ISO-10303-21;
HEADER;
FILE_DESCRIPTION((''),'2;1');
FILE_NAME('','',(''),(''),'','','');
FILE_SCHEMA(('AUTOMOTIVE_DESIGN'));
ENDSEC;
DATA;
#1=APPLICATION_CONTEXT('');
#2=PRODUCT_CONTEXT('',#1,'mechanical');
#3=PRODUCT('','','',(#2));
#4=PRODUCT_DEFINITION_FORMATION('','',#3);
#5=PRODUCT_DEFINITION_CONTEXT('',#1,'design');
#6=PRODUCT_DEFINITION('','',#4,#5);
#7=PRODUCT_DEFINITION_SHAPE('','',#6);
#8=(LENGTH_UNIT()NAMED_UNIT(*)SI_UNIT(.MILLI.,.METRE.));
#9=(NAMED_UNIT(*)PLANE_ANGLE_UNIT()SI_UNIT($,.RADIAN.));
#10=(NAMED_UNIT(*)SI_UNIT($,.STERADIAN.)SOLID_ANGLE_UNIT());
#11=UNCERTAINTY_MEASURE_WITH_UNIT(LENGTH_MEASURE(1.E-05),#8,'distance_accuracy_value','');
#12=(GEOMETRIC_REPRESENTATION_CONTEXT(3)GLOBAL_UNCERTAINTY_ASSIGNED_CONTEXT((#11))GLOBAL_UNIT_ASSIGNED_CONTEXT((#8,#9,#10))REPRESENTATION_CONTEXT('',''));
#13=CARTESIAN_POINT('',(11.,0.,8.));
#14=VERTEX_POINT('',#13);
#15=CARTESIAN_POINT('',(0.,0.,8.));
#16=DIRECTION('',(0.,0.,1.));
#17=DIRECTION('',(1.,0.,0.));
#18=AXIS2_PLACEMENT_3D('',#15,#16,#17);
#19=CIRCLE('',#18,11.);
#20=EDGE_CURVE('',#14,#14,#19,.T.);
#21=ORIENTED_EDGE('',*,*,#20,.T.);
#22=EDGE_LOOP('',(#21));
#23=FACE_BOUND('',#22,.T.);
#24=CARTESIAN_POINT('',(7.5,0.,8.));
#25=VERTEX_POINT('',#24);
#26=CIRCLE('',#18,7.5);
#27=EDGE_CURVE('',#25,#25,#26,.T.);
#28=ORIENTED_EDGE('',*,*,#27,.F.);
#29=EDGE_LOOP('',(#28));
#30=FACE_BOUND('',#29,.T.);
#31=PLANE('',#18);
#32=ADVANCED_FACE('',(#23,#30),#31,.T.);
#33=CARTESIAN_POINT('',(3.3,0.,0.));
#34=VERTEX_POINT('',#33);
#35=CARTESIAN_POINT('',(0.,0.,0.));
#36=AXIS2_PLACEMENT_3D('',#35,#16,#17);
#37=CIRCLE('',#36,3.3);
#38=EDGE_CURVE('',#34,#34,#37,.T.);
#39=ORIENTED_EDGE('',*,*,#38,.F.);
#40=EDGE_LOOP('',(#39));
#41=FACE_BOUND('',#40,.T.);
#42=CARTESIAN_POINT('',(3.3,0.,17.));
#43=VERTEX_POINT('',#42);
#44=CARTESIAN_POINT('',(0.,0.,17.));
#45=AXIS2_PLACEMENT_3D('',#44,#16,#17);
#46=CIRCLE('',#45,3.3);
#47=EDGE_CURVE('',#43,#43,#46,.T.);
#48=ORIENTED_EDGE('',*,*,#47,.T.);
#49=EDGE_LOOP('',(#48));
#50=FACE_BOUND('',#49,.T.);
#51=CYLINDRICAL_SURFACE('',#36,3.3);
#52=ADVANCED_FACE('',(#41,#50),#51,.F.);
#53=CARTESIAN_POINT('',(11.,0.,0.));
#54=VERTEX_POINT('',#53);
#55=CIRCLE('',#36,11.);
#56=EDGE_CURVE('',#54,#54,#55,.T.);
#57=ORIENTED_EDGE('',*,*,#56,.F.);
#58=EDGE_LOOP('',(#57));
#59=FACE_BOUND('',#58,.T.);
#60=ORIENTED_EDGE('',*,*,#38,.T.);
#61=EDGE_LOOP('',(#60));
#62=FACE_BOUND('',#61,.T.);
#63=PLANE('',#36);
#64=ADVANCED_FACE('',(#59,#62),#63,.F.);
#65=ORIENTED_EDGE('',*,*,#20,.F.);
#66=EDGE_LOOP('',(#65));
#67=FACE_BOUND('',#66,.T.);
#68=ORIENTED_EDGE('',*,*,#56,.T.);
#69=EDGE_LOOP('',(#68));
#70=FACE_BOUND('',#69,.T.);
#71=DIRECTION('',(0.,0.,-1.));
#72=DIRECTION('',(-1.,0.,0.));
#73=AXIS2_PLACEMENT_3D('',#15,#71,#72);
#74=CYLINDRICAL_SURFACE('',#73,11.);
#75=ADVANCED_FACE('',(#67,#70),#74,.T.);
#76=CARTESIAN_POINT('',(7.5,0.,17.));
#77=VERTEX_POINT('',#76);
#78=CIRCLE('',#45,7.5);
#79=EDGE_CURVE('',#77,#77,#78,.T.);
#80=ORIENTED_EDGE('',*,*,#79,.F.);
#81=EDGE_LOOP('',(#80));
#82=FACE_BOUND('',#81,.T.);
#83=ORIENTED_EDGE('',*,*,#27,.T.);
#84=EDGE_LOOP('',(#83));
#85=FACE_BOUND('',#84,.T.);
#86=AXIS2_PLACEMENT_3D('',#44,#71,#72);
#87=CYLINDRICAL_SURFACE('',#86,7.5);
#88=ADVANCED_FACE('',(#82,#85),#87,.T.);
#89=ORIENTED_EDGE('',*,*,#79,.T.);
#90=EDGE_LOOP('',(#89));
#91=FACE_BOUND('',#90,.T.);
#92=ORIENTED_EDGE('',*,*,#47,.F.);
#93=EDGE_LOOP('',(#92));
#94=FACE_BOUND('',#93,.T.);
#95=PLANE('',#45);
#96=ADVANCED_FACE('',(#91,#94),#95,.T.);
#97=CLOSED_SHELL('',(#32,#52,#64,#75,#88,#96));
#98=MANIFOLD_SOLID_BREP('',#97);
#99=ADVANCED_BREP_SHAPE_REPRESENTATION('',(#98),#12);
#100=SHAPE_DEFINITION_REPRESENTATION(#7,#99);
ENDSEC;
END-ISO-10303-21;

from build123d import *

# Parameters (mm, degrees)
SKETCH1_R           = 11
BOSS_EXTRUDE1_DEPTH = 8
SKETCH2_R           = 7.5
BOSS_EXTRUDE2_DEPTH = 9
SKETCH3_R           = 3.3
CUT_EXTRUDE1_DEPTH  = 18


with BuildPart() as part:
    # Sketch1 → Boss-Extrude1 (new body)
    with BuildSketch(Plane.XY):
        Circle(SKETCH1_R)
    extrude(amount=BOSS_EXTRUDE1_DEPTH)

    # Sketch2 → Boss-Extrude2 (add)
    with BuildSketch(Plane.XY.offset(8)):
        Circle(SKETCH2_R)
    extrude(amount=BOSS_EXTRUDE2_DEPTH)

    # Sketch3 → Cut-Extrude1 (cut, through all)
    with BuildSketch(Plane.XY.offset(17)):
        Circle(SKETCH3_R)
    extrude(amount=-CUT_EXTRUDE1_DEPTH, mode=Mode.SUBTRACT)


solid = part.part
